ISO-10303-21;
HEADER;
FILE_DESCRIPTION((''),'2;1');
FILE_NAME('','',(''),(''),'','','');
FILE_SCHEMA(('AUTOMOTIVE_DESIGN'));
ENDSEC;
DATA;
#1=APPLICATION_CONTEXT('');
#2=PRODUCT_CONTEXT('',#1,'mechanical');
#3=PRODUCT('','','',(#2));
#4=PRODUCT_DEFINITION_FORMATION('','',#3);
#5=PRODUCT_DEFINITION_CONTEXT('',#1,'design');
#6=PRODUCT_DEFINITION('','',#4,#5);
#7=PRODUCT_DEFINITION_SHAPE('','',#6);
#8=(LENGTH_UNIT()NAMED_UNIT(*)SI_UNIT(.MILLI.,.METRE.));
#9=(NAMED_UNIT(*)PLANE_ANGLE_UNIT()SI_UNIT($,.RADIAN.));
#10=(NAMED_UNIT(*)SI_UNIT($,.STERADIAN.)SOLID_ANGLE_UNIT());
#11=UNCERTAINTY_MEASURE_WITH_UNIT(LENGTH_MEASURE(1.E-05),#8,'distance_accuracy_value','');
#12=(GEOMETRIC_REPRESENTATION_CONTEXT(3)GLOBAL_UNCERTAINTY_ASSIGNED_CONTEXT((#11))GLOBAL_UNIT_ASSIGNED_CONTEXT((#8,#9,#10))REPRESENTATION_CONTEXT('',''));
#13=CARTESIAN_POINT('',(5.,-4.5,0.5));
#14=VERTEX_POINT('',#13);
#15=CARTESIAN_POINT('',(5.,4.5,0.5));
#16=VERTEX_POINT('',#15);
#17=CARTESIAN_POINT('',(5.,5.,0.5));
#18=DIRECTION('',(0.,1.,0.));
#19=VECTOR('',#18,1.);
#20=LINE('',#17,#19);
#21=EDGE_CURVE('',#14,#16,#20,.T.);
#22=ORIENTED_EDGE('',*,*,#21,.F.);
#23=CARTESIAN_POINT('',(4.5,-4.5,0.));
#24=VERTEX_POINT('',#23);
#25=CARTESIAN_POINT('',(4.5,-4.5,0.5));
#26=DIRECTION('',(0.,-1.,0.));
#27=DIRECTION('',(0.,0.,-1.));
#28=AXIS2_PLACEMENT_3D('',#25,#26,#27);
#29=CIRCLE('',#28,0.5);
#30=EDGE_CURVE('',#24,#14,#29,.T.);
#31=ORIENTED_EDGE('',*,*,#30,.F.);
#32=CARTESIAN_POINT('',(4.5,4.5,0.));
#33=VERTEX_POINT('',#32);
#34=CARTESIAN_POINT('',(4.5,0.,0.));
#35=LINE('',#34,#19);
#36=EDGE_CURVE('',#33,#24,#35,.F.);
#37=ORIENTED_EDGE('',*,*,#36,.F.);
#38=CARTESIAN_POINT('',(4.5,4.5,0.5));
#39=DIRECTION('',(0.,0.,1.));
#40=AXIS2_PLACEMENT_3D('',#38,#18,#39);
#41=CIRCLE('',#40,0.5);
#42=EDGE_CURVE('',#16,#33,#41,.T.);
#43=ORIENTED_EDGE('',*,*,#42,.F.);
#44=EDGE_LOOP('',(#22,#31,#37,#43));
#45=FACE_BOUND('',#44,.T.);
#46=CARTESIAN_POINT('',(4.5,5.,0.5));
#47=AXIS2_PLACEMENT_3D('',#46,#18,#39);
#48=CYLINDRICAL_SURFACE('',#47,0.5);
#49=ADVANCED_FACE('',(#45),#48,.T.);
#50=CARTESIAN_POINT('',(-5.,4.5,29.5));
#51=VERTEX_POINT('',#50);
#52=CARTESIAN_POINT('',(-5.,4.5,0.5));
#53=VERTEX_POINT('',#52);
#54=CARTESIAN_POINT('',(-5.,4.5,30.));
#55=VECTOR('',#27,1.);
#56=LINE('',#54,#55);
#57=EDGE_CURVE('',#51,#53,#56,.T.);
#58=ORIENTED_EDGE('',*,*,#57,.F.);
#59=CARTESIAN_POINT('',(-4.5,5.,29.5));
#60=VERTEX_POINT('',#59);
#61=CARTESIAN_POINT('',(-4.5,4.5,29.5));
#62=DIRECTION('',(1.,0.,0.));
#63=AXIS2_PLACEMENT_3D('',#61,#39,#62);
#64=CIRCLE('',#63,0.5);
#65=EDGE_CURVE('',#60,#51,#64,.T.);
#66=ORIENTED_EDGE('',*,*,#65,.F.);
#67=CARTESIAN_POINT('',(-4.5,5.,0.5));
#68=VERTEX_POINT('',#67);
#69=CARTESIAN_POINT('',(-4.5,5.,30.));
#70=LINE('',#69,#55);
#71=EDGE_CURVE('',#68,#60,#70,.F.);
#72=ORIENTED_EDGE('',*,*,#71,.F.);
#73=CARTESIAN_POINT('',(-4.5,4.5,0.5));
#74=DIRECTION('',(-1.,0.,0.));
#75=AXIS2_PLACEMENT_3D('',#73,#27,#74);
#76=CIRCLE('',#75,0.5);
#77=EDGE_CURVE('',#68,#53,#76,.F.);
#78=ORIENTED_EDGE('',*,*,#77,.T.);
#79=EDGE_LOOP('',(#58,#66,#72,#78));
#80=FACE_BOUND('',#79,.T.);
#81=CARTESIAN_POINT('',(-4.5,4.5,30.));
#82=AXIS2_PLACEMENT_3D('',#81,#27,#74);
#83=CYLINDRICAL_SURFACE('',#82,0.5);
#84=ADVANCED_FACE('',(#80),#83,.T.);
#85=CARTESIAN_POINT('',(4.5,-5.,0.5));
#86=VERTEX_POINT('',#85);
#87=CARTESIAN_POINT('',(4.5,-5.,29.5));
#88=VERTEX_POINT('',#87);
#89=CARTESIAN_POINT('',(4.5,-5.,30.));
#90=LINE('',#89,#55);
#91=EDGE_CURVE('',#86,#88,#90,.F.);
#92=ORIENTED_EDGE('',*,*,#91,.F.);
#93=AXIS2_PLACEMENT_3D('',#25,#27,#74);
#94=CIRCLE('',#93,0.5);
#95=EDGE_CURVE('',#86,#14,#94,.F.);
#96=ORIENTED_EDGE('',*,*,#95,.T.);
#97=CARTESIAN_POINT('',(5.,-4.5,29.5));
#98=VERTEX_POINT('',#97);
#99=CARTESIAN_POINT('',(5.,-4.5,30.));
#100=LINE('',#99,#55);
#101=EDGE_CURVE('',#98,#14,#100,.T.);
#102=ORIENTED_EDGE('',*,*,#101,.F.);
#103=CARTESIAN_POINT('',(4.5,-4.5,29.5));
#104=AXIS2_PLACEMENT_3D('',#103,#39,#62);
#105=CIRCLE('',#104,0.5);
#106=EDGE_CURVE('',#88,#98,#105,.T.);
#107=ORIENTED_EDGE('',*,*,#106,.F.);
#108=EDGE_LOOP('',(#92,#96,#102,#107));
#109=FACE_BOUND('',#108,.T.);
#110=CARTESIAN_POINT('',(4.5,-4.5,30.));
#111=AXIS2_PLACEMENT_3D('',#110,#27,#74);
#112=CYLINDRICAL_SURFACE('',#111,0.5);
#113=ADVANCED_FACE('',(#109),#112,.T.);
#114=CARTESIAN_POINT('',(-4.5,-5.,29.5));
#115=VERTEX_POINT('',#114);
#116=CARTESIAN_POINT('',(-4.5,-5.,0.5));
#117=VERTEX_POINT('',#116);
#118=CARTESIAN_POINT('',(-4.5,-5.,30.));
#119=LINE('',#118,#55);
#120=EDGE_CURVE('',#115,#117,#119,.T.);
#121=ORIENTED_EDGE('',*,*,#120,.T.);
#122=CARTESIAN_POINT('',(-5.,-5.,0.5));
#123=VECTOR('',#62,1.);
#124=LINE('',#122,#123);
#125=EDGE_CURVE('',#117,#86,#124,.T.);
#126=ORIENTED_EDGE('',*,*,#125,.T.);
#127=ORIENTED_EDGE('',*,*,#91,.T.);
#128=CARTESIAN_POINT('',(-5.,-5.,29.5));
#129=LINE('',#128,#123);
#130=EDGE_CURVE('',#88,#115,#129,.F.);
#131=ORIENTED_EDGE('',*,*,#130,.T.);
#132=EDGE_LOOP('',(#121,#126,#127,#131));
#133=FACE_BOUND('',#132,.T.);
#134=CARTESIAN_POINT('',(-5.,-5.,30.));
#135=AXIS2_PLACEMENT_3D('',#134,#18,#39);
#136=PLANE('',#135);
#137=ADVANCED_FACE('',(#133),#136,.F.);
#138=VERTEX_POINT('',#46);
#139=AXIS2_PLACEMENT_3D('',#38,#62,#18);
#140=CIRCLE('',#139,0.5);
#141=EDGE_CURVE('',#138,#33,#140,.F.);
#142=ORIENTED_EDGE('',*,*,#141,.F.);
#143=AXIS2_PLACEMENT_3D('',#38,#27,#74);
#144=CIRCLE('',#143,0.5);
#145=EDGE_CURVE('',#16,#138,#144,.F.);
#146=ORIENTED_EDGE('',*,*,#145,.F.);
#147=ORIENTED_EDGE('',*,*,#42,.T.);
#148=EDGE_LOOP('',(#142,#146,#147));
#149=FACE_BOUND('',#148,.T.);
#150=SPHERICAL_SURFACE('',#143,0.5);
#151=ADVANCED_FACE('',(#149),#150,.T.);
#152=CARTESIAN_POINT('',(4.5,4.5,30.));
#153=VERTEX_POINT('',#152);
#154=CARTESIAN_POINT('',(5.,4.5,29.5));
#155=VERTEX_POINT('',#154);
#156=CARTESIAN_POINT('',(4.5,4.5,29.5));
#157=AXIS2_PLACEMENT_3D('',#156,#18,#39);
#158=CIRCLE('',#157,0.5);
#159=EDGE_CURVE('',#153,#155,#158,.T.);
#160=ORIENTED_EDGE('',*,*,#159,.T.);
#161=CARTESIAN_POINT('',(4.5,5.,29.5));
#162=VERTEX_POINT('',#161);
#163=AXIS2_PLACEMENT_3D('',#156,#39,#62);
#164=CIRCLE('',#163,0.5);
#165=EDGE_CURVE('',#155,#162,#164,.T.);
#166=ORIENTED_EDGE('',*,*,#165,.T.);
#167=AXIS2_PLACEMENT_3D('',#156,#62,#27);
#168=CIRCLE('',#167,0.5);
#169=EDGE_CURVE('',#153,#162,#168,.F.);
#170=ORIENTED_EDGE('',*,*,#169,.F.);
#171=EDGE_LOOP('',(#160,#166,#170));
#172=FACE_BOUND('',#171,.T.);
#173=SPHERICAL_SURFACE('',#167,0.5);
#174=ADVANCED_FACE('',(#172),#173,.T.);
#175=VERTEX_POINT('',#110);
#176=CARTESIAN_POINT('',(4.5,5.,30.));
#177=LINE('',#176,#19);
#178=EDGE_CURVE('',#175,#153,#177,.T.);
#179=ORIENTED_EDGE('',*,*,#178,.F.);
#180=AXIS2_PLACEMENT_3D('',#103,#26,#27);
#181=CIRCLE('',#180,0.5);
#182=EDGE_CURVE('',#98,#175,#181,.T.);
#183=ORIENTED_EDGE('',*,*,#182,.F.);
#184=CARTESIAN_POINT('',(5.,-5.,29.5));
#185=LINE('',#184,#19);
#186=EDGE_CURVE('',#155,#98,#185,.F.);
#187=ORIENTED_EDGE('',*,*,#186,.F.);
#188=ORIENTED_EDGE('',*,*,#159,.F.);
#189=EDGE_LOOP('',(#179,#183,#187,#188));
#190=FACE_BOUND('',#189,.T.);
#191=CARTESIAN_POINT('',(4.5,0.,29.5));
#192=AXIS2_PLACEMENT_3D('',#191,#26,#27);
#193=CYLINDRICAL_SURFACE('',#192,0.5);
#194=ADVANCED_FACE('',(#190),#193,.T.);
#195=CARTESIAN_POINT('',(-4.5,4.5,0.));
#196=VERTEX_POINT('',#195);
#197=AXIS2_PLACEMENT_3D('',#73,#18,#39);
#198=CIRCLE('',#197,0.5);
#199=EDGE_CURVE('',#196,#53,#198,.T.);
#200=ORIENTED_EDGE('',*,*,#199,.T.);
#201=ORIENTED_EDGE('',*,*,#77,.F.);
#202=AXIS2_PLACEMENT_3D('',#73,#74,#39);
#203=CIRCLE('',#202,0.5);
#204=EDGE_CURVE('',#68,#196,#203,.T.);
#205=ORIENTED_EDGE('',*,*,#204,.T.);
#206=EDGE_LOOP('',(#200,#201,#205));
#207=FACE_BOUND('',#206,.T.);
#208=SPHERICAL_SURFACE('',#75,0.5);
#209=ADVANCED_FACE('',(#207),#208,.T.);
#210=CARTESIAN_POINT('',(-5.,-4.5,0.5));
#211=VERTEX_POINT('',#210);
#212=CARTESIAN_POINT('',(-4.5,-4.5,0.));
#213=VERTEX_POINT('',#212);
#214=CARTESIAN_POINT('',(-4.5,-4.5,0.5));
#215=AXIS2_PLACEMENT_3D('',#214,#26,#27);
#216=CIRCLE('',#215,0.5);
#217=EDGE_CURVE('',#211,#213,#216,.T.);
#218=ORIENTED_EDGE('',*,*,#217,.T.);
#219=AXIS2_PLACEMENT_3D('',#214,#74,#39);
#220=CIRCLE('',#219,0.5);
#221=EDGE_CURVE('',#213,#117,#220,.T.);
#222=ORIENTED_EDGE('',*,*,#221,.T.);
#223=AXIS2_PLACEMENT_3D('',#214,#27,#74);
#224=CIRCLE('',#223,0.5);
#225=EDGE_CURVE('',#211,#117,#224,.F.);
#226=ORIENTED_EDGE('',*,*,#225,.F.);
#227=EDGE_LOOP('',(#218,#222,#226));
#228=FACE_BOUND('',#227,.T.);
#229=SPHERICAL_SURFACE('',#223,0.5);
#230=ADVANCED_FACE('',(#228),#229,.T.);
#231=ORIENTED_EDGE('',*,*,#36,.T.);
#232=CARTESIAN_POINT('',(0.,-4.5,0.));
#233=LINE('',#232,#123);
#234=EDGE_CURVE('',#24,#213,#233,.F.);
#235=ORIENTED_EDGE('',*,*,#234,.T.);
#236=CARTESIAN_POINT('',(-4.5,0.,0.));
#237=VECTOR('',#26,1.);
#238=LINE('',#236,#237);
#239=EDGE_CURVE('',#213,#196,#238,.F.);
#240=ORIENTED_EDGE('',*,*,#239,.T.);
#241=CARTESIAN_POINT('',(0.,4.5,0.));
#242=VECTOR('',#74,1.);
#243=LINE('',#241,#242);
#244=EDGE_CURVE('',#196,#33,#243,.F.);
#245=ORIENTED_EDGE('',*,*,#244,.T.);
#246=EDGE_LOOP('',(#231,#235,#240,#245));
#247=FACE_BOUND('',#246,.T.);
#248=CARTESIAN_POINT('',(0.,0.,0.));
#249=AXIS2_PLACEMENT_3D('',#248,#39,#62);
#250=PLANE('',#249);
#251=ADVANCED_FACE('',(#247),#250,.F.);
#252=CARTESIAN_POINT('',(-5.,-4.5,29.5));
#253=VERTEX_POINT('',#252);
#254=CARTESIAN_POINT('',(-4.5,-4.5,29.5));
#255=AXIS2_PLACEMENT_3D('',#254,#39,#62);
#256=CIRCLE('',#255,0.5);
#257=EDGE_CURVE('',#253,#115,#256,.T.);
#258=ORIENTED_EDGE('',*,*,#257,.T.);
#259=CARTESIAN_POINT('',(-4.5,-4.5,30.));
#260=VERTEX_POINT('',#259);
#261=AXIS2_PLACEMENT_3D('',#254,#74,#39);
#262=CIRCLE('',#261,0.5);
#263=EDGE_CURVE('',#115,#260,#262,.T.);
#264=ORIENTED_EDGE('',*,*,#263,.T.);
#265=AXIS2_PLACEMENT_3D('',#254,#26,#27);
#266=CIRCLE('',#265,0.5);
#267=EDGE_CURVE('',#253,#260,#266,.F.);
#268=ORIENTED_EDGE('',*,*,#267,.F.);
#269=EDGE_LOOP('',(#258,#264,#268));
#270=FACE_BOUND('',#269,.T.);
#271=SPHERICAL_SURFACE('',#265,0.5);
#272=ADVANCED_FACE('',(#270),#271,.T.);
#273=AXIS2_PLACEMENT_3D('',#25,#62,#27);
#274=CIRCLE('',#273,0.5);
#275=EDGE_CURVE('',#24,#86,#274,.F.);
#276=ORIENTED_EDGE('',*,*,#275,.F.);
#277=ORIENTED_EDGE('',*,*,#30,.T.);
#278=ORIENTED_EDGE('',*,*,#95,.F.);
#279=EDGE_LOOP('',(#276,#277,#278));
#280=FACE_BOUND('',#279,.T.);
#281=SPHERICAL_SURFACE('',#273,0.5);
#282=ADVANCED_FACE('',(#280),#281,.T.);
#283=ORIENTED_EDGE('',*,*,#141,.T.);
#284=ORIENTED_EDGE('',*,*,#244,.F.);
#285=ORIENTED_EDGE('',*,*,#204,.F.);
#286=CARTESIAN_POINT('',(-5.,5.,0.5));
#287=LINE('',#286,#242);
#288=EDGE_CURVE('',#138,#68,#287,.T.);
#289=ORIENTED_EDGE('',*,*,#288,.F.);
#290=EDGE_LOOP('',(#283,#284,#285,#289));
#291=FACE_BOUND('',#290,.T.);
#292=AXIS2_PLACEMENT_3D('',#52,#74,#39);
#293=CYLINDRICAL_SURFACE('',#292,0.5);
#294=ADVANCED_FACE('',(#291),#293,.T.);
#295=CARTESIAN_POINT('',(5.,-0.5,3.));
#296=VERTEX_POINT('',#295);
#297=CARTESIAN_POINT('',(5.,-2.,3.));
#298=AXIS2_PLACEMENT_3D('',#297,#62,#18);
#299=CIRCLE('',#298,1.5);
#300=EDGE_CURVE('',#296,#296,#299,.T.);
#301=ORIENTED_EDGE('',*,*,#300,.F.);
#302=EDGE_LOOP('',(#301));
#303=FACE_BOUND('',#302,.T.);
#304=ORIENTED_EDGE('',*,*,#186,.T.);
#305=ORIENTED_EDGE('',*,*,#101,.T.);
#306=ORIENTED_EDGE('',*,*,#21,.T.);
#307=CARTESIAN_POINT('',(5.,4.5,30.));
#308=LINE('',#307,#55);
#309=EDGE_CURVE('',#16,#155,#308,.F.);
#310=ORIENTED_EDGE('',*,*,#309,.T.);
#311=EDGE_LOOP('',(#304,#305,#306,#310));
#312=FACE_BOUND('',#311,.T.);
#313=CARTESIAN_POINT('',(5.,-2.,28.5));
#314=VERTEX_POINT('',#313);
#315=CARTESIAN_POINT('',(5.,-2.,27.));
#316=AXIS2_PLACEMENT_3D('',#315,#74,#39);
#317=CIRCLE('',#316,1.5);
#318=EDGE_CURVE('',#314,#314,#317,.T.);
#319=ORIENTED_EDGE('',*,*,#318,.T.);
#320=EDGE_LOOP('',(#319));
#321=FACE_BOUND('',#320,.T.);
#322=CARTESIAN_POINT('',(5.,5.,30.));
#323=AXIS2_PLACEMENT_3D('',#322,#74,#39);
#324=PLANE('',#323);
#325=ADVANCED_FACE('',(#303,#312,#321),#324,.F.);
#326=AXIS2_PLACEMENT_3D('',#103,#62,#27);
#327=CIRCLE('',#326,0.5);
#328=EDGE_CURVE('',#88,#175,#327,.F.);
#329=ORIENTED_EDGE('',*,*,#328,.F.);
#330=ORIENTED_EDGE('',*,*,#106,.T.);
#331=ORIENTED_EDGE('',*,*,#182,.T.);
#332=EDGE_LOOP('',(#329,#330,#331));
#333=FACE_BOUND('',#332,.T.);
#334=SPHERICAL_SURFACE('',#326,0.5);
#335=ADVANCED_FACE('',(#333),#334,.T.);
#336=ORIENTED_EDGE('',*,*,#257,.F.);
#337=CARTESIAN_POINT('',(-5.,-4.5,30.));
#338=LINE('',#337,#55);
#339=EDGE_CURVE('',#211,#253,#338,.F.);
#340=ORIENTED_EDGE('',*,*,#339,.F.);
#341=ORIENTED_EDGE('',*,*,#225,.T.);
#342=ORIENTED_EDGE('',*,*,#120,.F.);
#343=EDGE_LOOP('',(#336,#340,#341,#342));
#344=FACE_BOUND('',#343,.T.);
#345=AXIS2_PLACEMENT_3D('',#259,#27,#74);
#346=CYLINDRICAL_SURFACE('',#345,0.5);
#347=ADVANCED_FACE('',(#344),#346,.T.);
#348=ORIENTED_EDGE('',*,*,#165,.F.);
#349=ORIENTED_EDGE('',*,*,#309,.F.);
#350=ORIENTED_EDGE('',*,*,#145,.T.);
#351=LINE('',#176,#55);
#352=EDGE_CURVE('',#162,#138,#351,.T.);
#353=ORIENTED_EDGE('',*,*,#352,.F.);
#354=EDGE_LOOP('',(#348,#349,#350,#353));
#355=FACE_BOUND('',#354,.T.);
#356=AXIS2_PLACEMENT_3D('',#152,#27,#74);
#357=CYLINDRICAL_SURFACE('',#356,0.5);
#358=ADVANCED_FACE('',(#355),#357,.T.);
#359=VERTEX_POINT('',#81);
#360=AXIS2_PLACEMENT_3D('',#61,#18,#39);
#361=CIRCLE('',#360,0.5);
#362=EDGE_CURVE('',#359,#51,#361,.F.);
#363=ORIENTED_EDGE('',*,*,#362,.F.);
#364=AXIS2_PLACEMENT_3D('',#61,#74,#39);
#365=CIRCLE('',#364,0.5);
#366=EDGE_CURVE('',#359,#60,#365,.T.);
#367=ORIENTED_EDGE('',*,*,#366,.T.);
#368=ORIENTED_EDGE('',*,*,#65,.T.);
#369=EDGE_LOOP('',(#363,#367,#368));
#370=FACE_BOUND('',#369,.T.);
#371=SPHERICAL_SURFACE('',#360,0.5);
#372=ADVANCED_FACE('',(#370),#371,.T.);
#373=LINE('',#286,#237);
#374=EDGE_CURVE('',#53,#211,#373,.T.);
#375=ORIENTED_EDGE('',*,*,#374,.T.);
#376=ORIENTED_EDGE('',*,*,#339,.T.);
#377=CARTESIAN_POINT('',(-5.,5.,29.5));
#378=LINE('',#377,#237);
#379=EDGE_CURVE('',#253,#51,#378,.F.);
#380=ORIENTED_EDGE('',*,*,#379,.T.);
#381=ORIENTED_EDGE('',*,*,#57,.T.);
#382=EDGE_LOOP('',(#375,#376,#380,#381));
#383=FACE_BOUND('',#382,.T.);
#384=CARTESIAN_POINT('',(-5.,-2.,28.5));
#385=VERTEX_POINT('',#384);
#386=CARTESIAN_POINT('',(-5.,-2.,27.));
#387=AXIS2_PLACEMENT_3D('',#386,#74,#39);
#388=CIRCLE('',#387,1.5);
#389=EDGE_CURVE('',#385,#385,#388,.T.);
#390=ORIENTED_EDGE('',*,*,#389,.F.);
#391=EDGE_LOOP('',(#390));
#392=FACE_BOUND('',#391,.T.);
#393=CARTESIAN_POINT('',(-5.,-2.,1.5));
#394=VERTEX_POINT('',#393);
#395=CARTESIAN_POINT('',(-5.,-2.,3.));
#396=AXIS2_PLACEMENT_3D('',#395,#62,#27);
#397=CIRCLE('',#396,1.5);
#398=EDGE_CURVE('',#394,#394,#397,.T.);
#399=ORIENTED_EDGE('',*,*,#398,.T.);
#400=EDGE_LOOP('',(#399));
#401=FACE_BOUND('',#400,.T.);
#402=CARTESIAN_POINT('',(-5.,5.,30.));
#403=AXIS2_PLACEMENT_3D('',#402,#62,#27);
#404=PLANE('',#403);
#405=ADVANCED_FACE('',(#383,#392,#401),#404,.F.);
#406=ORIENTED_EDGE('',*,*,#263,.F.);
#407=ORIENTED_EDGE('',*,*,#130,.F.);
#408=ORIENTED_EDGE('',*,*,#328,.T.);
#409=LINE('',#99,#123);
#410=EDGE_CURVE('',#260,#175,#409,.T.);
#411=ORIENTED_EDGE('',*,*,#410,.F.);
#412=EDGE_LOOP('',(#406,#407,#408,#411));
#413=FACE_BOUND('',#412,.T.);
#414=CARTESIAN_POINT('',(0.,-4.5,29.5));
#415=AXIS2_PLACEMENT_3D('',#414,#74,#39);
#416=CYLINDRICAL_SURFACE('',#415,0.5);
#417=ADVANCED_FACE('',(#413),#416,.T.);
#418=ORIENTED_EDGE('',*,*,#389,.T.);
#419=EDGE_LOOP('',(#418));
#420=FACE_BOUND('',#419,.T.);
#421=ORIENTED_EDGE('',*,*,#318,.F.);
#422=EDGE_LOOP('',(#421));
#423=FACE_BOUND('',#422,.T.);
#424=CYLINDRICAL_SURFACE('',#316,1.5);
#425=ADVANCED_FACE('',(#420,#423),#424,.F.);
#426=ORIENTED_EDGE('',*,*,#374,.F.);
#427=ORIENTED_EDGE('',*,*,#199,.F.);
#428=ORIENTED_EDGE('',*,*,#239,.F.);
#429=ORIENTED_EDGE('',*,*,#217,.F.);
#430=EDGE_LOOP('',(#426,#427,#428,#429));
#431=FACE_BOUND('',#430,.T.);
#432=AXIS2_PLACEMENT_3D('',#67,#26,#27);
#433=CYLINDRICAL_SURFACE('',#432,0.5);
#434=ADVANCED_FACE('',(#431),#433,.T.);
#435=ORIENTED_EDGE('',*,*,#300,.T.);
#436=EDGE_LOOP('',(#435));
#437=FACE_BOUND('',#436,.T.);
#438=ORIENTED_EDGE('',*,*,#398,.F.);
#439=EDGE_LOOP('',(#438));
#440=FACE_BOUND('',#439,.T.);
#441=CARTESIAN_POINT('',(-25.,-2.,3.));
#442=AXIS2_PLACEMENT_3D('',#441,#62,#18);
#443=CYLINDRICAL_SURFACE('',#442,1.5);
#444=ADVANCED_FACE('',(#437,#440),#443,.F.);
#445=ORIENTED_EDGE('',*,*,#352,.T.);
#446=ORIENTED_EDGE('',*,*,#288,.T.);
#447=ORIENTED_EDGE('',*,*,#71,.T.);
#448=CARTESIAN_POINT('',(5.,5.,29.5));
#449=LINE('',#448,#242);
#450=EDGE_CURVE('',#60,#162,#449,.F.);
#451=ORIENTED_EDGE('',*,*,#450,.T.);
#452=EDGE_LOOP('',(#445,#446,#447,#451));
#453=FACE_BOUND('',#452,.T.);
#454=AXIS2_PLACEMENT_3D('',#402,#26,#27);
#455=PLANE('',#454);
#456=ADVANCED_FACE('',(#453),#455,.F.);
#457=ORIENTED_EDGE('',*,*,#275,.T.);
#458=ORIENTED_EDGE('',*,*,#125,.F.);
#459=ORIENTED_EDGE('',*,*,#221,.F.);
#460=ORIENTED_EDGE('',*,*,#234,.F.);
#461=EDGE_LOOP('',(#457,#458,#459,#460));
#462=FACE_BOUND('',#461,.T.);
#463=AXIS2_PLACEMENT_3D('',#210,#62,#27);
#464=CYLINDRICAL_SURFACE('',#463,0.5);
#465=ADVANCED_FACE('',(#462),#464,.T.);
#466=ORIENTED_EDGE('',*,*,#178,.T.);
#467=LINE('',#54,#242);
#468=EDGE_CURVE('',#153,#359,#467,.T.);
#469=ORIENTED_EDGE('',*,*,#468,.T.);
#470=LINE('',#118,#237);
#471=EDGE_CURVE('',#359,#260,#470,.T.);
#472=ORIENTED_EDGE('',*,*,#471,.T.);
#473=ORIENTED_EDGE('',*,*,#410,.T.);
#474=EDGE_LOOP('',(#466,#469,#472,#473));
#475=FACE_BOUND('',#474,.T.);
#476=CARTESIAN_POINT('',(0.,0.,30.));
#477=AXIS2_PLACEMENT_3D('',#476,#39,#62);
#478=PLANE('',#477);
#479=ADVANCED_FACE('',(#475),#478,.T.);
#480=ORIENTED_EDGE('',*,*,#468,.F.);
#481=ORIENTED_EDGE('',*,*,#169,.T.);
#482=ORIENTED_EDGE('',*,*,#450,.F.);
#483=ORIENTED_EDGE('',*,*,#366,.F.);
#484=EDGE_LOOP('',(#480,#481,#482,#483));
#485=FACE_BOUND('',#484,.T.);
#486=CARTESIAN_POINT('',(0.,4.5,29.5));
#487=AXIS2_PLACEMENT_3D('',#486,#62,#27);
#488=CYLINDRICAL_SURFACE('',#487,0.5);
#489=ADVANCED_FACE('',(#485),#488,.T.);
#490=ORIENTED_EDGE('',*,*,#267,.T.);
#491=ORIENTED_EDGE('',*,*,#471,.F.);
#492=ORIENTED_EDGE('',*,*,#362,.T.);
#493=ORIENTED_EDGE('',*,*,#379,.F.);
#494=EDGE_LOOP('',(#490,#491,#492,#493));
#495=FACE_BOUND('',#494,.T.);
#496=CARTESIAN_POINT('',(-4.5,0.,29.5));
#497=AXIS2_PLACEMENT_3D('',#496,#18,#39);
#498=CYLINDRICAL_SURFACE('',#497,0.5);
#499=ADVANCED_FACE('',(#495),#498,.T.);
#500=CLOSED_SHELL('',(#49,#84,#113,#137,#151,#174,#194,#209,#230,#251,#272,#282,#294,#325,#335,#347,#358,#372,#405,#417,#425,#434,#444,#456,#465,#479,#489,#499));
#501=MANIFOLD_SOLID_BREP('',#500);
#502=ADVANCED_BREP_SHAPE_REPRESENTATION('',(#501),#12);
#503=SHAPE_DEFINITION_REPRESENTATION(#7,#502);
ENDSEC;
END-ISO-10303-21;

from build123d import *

# Parameters (mm, degrees)
ESQUISSE1_W             = 10
ESQUISSE1_H             = 10
BOSS_EXTRU_1_DEPTH      = 30
ESQUISSE2_R             = 1.5
ENL_V_MAT_EXTRU_1_DEPTH = 30
CONG_1_R                = 0.5
ESQUISSE3_R             = 1.5
ENL_V_MAT_EXTRU_2_DEPTH = 10


with BuildPart() as part:
    # Esquisse1 → Boss.-Extru.1 (new body)
    with BuildSketch(Plane.XY):
        Rectangle(ESQUISSE1_W, ESQUISSE1_H)
    extrude(amount=BOSS_EXTRU_1_DEPTH)

    # Esquisse2 → Enlèv. mat.-Extru.1 (cut)
    with BuildSketch(Plane(origin=(5, 0, 0), x_dir=(0, 0, -1), z_dir=(1, 0, 0))):
        with Locations(Location((-3, -2, 0), (0, 0, 90))):
            Circle(ESQUISSE2_R)
    extrude(amount=-ENL_V_MAT_EXTRU_1_DEPTH, mode=Mode.SUBTRACT)

    # Congé1
    cong_1_edges = [part.edges().sort_by_distance(p)[0] for p in [
        (-5, 0, 30),
        (0, -5, 30),
        (5, 0, 30),
        (0, -5, 0),
        (-5, 0, 0),
        (0, 5, 0),
        (5, 0, 0),
        (5, -5, 15),
        (-5, -5, 15),
        (-5, 5, 15),
        (5, 5, 15),
        (0, 5, 30),
    ]]
    fillet(cong_1_edges, radius=CONG_1_R)

    # Esquisse3 → Enlèv. mat.-Extru.2 (cut)
    with BuildSketch(Plane.ZY.offset(5)):
        with Locations((27, -2)):
            Circle(ESQUISSE3_R)
    extrude(amount=-ENL_V_MAT_EXTRU_2_DEPTH, mode=Mode.SUBTRACT)


solid = part.part
